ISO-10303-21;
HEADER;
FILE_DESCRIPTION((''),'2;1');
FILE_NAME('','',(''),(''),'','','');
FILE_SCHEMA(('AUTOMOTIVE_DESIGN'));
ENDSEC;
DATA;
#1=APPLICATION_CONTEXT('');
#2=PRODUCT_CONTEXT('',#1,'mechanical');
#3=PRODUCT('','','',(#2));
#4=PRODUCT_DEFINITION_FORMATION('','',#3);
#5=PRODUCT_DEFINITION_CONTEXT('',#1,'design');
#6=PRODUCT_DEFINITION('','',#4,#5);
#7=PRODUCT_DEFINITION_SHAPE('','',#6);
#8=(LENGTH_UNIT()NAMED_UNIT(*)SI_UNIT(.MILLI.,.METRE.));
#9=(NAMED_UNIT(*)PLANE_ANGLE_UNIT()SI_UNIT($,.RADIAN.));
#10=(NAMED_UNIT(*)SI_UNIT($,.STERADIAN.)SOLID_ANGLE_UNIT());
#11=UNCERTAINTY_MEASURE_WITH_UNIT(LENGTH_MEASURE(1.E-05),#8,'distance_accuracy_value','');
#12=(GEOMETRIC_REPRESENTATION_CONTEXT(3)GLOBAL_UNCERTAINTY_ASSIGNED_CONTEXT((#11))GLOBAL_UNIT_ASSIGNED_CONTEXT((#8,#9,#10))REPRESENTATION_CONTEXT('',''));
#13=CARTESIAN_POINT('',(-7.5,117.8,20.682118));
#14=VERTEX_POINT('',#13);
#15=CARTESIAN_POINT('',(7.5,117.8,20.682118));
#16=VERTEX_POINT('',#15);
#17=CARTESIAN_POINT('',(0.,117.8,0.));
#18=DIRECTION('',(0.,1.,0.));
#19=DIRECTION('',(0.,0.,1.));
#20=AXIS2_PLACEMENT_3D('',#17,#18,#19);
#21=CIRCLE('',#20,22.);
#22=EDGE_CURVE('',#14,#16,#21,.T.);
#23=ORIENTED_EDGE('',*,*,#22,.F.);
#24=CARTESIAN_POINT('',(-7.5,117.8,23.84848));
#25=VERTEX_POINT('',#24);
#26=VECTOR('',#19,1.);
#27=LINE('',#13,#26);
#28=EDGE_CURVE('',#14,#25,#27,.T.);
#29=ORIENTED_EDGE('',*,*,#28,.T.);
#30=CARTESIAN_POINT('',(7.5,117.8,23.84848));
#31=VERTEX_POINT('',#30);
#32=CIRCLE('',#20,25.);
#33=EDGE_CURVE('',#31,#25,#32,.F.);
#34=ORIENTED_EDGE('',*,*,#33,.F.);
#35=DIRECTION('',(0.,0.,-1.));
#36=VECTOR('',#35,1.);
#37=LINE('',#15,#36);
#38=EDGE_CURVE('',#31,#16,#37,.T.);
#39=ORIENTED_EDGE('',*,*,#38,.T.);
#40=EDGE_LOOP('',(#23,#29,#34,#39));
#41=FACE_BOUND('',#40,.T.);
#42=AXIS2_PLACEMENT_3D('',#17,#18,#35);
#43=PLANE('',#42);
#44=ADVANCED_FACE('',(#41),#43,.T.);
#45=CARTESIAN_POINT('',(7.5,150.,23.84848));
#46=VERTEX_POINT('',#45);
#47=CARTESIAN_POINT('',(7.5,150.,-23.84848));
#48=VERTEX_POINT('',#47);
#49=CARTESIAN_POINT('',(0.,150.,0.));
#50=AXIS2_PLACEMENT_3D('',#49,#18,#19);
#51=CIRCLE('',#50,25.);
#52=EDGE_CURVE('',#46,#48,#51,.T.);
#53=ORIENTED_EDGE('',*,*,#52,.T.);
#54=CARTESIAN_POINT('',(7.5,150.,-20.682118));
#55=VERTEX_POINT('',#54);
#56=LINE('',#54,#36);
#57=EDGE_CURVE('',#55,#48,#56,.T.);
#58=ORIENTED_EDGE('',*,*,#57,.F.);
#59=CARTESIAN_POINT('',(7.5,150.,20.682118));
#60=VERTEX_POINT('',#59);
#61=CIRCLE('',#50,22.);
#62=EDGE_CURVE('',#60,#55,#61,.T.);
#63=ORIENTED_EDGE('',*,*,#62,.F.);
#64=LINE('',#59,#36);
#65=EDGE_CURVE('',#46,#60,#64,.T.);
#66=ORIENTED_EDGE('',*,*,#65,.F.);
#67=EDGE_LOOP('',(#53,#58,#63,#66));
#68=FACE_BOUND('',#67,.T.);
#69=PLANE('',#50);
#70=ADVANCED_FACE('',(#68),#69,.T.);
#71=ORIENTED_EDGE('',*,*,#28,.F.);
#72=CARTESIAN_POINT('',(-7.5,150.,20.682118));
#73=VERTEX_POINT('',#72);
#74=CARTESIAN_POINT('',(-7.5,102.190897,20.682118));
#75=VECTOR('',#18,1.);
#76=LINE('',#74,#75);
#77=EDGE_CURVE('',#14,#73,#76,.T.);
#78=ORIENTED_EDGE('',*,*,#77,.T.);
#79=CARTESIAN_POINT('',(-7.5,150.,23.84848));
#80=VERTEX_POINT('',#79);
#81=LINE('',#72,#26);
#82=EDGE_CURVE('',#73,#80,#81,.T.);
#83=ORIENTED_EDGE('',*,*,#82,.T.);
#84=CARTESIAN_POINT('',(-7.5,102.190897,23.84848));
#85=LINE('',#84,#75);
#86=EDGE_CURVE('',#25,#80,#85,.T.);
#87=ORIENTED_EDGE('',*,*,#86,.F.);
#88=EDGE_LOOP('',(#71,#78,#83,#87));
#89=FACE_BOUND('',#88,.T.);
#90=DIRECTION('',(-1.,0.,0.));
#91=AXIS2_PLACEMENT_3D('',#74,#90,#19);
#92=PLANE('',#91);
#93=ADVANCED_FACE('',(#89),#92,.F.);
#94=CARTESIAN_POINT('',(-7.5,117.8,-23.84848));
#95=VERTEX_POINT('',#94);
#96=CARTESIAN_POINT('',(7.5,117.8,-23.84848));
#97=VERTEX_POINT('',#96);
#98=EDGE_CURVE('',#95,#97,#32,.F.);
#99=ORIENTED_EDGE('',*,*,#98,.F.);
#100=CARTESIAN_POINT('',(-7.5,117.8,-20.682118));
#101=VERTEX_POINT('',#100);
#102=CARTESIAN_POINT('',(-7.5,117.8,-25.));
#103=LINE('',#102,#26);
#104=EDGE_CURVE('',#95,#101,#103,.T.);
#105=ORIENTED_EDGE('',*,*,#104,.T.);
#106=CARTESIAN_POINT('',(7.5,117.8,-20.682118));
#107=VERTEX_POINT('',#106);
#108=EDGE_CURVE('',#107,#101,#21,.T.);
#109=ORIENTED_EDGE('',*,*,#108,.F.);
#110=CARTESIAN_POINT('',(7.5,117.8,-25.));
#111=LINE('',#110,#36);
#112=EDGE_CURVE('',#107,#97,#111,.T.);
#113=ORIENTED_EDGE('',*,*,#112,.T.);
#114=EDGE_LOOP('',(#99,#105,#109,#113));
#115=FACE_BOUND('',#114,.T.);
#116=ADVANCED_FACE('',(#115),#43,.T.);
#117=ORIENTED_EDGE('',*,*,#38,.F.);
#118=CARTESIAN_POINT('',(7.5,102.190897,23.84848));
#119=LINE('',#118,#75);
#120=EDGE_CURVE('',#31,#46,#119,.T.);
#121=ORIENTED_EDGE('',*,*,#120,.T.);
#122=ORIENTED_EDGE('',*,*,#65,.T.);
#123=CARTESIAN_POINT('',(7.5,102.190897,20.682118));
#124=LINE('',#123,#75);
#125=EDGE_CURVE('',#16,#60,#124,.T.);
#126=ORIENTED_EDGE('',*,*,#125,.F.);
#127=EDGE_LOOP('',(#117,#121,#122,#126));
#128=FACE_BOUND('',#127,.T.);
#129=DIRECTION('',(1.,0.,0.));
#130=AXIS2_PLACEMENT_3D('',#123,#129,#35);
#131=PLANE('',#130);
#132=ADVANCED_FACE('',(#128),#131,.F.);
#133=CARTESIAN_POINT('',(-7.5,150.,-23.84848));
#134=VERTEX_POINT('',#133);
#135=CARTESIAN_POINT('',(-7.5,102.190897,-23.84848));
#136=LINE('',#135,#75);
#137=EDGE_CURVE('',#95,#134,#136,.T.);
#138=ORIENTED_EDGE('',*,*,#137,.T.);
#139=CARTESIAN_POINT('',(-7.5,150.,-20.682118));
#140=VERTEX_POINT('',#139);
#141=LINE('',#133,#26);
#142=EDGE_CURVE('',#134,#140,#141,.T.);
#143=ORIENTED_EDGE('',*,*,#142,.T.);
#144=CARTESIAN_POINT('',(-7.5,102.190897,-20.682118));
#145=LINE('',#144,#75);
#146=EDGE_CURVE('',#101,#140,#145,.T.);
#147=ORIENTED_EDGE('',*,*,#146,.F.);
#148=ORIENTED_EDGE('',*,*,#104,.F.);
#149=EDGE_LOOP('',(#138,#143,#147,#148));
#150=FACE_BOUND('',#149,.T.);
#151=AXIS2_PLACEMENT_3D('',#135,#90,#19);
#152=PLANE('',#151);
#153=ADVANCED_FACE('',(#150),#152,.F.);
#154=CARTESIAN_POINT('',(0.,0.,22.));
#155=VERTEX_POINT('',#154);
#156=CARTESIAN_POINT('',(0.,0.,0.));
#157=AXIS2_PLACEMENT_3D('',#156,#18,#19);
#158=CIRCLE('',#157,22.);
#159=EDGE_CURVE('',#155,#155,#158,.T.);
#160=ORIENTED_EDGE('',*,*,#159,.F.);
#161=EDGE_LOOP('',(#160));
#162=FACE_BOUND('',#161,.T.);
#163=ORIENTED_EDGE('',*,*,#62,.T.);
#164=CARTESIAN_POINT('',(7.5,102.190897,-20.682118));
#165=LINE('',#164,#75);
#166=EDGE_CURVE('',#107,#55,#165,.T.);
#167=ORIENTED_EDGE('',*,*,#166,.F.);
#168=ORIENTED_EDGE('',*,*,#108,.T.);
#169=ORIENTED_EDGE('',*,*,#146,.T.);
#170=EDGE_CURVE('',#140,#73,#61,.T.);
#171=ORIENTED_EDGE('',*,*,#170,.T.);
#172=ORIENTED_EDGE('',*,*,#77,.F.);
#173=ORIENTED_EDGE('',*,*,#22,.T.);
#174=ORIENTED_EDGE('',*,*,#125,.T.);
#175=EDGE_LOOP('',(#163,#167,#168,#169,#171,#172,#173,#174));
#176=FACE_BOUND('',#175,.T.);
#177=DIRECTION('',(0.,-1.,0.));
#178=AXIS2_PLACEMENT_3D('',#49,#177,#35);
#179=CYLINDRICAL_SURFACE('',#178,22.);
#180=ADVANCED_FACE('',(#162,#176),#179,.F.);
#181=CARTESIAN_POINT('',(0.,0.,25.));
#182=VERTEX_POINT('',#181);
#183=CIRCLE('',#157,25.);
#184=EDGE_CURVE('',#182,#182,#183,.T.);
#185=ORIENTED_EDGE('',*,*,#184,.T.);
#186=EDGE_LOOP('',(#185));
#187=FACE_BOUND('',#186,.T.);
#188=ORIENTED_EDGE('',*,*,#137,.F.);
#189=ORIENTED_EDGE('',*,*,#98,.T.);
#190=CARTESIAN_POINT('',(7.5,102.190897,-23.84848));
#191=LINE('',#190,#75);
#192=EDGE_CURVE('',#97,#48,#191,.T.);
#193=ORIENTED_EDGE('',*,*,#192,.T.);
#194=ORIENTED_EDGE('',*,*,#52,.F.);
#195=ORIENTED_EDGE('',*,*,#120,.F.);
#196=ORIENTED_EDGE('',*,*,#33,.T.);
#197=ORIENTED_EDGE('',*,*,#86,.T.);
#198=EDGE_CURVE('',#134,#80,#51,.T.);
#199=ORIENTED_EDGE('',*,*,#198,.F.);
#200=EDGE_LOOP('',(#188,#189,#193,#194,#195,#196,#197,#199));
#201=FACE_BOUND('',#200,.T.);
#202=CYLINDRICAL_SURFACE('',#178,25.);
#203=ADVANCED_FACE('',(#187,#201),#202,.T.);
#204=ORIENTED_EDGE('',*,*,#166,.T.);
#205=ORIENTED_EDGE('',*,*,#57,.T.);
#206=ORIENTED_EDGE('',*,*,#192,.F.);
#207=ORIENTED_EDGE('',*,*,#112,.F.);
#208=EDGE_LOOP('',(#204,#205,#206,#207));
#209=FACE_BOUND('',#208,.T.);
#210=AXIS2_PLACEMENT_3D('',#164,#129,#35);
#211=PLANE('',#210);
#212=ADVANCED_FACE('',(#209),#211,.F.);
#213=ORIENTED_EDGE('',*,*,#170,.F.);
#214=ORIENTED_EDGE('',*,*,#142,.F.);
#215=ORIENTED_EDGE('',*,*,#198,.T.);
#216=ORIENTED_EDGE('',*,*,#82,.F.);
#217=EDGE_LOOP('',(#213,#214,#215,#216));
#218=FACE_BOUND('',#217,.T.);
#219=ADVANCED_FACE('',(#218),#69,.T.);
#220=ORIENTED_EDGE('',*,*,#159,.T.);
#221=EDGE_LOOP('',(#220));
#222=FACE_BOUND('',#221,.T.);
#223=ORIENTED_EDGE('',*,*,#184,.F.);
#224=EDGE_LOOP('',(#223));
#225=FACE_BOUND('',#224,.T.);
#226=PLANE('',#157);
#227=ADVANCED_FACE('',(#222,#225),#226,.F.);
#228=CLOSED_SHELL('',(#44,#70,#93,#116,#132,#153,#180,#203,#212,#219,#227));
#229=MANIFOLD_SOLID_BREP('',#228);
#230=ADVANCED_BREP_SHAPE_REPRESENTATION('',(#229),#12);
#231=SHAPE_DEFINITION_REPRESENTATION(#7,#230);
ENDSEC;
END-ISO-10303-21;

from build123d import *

# Parameters (mm, degrees)
ESBO_O1_R                = 25
ESBO_O1_R_2              = 22
RESSALTO_EXTRUS_O1_DEPTH = 150
CORTE_EXTRUS_O2_START    = -32.2
CORTE_EXTRUS_O2_DEPTH    = 32.2


with BuildPart() as part:
    # Esboço1 → Ressalto-extrusão1 (new body)
    with BuildSketch(Plane(origin=(0, 0, 0), x_dir=(1, 0, 0), z_dir=(0, 1, 0))):
        with Locations(Location((0, 0, 0), (0, 0, 270))):
            Circle(ESBO_O1_R)
        with Locations(Location((0, 0, 0), (0, 0, 270))):
            Circle(ESBO_O1_R_2, mode=Mode.SUBTRACT)
    extrude(amount=RESSALTO_EXTRUS_O1_DEPTH)

    # Esboço3 → Corte-extrusão2 (cut)
    with BuildSketch(Plane(origin=(0, 150, 0), x_dir=(1, 0, 0), z_dir=(0, 1, 0)).offset(CORTE_EXTRUS_O2_START)):
        with BuildLine():
            Line((7.5, -20.68211788), (7.5, -23.848480035))
            ThreePointArc((7.5, -23.848480035), (0, -25), (-7.5, -23.848480035))
            Line((-7.5, -23.848480035), (-7.5, -20.68211788))
            ThreePointArc((-7.5, -20.68211788), (0, -22), (7.5, -20.68211788))
        make_face()
        with BuildLine():
            Line((-7.5, 23.848480035), (-7.5, 20.68211788))
            ThreePointArc((-7.5, 20.68211788), (0, 22), (7.5, 20.68211788))
            Line((7.5, 20.68211788), (7.5, 23.848480035))
            ThreePointArc((7.5, 23.848480035), (0, 25), (-7.5, 23.848480035))
        make_face()
    extrude(amount=CORTE_EXTRUS_O2_DEPTH, mode=Mode.SUBTRACT)


solid = part.part
